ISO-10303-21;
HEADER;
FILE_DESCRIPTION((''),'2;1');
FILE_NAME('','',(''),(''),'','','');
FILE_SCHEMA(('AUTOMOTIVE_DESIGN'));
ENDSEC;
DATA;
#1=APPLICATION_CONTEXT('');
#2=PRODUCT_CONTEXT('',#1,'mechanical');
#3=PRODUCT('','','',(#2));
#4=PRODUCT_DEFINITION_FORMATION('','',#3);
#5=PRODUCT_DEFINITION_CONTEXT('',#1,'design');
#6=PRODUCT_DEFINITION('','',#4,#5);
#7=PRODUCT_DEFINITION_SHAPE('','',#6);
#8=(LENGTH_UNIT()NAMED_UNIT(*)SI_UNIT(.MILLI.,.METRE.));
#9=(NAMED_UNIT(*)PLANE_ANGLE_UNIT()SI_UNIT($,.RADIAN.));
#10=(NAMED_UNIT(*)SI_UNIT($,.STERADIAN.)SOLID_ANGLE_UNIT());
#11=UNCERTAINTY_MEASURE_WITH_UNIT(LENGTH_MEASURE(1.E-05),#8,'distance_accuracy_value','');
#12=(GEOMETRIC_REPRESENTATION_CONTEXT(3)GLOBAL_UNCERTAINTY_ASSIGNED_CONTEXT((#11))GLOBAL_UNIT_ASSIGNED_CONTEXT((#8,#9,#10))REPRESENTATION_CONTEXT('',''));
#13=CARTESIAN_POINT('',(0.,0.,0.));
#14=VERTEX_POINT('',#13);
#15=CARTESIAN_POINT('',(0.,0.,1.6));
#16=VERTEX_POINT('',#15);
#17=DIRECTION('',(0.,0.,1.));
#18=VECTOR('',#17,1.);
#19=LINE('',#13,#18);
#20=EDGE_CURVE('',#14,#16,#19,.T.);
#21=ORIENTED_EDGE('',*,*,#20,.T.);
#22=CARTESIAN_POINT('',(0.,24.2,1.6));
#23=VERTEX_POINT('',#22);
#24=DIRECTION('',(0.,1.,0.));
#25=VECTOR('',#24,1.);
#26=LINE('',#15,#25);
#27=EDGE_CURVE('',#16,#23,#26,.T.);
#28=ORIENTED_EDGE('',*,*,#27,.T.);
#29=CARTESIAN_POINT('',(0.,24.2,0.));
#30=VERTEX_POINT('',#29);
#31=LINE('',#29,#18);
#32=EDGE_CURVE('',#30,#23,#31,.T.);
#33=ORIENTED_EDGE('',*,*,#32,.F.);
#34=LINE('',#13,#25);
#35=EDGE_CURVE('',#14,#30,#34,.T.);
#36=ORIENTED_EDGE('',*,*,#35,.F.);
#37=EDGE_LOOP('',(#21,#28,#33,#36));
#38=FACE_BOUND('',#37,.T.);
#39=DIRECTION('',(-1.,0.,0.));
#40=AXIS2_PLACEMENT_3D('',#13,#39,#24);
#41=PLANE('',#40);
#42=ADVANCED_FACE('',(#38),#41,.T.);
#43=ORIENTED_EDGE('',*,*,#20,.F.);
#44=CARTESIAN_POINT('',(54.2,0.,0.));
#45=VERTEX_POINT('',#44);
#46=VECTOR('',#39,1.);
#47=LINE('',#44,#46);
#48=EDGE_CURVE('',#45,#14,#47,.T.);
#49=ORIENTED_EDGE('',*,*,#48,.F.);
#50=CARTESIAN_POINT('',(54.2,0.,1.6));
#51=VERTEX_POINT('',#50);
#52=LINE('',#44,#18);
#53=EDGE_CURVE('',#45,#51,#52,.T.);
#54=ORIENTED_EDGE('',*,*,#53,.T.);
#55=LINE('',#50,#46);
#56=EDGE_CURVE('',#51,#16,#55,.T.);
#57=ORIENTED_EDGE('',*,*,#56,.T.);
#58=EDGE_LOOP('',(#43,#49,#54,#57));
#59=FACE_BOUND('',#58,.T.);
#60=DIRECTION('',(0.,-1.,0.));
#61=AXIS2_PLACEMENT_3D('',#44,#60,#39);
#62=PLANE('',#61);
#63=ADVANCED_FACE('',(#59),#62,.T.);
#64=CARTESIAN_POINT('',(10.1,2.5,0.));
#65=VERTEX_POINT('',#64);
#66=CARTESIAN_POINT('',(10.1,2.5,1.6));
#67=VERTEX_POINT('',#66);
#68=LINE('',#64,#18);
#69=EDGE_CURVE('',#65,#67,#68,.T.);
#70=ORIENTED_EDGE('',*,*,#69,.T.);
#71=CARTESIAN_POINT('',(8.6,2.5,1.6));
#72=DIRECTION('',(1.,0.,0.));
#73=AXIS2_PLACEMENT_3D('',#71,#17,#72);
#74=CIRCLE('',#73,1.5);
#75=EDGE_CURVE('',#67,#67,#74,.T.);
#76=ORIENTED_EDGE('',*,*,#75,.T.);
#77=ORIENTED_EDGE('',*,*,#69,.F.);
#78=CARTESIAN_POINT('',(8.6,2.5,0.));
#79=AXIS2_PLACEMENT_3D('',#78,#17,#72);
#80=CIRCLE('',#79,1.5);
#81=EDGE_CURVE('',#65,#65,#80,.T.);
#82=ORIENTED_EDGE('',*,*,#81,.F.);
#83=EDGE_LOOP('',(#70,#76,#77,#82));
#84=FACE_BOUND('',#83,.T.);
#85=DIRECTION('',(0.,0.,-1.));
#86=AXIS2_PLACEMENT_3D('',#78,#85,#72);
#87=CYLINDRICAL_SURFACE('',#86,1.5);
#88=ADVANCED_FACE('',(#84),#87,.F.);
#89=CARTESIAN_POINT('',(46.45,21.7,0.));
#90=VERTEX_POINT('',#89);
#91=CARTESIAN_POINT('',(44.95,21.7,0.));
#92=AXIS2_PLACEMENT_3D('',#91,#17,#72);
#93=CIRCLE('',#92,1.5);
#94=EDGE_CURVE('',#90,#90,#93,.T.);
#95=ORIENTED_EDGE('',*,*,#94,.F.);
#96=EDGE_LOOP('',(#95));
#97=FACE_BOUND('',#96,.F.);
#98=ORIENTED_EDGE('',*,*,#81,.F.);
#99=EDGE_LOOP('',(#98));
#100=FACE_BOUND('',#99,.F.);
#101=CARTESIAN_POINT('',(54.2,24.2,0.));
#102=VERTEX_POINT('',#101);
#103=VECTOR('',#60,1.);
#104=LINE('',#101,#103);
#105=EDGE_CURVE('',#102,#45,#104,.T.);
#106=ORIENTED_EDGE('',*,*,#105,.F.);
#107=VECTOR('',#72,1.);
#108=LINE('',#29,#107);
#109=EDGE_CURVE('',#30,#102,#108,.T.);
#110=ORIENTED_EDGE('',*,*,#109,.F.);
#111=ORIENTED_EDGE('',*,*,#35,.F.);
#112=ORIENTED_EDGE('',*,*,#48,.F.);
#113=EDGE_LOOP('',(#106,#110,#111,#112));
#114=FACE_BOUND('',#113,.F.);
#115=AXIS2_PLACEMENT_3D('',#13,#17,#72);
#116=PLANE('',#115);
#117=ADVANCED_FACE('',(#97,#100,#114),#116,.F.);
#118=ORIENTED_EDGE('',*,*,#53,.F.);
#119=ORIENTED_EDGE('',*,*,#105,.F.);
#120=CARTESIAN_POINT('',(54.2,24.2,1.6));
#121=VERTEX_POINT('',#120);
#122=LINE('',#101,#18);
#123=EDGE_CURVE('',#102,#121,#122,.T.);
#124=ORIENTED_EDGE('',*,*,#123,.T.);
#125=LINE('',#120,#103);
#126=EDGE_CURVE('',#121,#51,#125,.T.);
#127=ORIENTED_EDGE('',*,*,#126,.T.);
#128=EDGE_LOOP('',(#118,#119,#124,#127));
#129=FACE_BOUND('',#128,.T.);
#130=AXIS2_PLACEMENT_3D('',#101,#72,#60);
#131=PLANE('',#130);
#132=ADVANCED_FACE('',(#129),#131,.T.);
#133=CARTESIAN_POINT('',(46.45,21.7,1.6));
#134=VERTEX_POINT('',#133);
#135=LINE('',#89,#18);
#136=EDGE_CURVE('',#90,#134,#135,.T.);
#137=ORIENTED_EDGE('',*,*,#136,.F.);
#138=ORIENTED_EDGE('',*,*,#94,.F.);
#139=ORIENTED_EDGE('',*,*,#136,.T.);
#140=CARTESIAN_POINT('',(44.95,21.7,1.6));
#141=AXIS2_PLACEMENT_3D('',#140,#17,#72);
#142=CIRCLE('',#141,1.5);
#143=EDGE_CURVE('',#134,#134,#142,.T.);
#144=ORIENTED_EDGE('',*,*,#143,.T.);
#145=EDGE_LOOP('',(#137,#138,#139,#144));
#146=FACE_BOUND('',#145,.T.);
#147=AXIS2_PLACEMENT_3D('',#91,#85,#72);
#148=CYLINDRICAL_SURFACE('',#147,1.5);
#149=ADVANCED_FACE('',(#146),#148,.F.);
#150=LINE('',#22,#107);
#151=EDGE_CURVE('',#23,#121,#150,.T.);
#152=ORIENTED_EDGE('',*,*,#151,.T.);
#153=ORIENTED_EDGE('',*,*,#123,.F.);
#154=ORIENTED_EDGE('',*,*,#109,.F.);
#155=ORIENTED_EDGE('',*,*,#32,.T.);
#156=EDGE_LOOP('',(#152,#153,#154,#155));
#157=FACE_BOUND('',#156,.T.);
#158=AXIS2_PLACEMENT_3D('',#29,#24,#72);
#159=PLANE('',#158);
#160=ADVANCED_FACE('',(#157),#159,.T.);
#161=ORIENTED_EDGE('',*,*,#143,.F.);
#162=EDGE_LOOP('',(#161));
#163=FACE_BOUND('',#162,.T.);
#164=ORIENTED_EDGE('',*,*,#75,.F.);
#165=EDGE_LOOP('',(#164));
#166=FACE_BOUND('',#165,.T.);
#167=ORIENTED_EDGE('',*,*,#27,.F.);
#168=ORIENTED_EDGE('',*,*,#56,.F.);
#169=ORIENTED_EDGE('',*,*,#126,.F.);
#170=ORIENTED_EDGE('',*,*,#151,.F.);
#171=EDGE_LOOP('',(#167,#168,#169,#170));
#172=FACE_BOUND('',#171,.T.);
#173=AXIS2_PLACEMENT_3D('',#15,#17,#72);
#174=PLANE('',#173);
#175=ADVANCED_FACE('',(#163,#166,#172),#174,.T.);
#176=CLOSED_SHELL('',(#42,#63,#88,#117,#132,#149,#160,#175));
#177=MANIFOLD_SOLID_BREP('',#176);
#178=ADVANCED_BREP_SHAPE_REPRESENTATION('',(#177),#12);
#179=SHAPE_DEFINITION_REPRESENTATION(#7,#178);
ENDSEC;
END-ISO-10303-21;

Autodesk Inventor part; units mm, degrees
ref_plane "YZ Plane" through (0, 0, 0) normal (1, 0, 0) x (0, 1, 0)
ref_plane "XZ Plane" through (0, 0, 0) normal (0, 1, 0) x (-1, 0, 0)
ref_plane "XY Plane" through (0, 0, 0) normal (0, 0, 1) x (1, 0, 0)
sketch "Sketch1" plane through (0, 0, 0) normal (0, 0, 1) x (1, 0, 0)
  line L0 (0, 24.2) -> (54.2, 24.2)
  line L1 (54.2, 24.2) -> (54.2, 0)
  line L2 (54.2, 0) -> (0, 0)
  line L3 (0, 0) -> (0, 24.2)
  circle A0 centre (44.95, 21.7) radius 1.5
  circle A1 centre (8.6, 2.5) radius 1.5
  dimension "d0" = 54.2
  dimension "d1" = 24.2
  dimension "d2" = 3
  dimension "d3" = 2.5
  dimension "d4" = 9.25
  dimension "d5" = 2.5
  dimension "d6" = 8.6
extrude "Extrusion1" add sketch "Sketch1" along normal blind 1.6
properties part number "XL4015"
